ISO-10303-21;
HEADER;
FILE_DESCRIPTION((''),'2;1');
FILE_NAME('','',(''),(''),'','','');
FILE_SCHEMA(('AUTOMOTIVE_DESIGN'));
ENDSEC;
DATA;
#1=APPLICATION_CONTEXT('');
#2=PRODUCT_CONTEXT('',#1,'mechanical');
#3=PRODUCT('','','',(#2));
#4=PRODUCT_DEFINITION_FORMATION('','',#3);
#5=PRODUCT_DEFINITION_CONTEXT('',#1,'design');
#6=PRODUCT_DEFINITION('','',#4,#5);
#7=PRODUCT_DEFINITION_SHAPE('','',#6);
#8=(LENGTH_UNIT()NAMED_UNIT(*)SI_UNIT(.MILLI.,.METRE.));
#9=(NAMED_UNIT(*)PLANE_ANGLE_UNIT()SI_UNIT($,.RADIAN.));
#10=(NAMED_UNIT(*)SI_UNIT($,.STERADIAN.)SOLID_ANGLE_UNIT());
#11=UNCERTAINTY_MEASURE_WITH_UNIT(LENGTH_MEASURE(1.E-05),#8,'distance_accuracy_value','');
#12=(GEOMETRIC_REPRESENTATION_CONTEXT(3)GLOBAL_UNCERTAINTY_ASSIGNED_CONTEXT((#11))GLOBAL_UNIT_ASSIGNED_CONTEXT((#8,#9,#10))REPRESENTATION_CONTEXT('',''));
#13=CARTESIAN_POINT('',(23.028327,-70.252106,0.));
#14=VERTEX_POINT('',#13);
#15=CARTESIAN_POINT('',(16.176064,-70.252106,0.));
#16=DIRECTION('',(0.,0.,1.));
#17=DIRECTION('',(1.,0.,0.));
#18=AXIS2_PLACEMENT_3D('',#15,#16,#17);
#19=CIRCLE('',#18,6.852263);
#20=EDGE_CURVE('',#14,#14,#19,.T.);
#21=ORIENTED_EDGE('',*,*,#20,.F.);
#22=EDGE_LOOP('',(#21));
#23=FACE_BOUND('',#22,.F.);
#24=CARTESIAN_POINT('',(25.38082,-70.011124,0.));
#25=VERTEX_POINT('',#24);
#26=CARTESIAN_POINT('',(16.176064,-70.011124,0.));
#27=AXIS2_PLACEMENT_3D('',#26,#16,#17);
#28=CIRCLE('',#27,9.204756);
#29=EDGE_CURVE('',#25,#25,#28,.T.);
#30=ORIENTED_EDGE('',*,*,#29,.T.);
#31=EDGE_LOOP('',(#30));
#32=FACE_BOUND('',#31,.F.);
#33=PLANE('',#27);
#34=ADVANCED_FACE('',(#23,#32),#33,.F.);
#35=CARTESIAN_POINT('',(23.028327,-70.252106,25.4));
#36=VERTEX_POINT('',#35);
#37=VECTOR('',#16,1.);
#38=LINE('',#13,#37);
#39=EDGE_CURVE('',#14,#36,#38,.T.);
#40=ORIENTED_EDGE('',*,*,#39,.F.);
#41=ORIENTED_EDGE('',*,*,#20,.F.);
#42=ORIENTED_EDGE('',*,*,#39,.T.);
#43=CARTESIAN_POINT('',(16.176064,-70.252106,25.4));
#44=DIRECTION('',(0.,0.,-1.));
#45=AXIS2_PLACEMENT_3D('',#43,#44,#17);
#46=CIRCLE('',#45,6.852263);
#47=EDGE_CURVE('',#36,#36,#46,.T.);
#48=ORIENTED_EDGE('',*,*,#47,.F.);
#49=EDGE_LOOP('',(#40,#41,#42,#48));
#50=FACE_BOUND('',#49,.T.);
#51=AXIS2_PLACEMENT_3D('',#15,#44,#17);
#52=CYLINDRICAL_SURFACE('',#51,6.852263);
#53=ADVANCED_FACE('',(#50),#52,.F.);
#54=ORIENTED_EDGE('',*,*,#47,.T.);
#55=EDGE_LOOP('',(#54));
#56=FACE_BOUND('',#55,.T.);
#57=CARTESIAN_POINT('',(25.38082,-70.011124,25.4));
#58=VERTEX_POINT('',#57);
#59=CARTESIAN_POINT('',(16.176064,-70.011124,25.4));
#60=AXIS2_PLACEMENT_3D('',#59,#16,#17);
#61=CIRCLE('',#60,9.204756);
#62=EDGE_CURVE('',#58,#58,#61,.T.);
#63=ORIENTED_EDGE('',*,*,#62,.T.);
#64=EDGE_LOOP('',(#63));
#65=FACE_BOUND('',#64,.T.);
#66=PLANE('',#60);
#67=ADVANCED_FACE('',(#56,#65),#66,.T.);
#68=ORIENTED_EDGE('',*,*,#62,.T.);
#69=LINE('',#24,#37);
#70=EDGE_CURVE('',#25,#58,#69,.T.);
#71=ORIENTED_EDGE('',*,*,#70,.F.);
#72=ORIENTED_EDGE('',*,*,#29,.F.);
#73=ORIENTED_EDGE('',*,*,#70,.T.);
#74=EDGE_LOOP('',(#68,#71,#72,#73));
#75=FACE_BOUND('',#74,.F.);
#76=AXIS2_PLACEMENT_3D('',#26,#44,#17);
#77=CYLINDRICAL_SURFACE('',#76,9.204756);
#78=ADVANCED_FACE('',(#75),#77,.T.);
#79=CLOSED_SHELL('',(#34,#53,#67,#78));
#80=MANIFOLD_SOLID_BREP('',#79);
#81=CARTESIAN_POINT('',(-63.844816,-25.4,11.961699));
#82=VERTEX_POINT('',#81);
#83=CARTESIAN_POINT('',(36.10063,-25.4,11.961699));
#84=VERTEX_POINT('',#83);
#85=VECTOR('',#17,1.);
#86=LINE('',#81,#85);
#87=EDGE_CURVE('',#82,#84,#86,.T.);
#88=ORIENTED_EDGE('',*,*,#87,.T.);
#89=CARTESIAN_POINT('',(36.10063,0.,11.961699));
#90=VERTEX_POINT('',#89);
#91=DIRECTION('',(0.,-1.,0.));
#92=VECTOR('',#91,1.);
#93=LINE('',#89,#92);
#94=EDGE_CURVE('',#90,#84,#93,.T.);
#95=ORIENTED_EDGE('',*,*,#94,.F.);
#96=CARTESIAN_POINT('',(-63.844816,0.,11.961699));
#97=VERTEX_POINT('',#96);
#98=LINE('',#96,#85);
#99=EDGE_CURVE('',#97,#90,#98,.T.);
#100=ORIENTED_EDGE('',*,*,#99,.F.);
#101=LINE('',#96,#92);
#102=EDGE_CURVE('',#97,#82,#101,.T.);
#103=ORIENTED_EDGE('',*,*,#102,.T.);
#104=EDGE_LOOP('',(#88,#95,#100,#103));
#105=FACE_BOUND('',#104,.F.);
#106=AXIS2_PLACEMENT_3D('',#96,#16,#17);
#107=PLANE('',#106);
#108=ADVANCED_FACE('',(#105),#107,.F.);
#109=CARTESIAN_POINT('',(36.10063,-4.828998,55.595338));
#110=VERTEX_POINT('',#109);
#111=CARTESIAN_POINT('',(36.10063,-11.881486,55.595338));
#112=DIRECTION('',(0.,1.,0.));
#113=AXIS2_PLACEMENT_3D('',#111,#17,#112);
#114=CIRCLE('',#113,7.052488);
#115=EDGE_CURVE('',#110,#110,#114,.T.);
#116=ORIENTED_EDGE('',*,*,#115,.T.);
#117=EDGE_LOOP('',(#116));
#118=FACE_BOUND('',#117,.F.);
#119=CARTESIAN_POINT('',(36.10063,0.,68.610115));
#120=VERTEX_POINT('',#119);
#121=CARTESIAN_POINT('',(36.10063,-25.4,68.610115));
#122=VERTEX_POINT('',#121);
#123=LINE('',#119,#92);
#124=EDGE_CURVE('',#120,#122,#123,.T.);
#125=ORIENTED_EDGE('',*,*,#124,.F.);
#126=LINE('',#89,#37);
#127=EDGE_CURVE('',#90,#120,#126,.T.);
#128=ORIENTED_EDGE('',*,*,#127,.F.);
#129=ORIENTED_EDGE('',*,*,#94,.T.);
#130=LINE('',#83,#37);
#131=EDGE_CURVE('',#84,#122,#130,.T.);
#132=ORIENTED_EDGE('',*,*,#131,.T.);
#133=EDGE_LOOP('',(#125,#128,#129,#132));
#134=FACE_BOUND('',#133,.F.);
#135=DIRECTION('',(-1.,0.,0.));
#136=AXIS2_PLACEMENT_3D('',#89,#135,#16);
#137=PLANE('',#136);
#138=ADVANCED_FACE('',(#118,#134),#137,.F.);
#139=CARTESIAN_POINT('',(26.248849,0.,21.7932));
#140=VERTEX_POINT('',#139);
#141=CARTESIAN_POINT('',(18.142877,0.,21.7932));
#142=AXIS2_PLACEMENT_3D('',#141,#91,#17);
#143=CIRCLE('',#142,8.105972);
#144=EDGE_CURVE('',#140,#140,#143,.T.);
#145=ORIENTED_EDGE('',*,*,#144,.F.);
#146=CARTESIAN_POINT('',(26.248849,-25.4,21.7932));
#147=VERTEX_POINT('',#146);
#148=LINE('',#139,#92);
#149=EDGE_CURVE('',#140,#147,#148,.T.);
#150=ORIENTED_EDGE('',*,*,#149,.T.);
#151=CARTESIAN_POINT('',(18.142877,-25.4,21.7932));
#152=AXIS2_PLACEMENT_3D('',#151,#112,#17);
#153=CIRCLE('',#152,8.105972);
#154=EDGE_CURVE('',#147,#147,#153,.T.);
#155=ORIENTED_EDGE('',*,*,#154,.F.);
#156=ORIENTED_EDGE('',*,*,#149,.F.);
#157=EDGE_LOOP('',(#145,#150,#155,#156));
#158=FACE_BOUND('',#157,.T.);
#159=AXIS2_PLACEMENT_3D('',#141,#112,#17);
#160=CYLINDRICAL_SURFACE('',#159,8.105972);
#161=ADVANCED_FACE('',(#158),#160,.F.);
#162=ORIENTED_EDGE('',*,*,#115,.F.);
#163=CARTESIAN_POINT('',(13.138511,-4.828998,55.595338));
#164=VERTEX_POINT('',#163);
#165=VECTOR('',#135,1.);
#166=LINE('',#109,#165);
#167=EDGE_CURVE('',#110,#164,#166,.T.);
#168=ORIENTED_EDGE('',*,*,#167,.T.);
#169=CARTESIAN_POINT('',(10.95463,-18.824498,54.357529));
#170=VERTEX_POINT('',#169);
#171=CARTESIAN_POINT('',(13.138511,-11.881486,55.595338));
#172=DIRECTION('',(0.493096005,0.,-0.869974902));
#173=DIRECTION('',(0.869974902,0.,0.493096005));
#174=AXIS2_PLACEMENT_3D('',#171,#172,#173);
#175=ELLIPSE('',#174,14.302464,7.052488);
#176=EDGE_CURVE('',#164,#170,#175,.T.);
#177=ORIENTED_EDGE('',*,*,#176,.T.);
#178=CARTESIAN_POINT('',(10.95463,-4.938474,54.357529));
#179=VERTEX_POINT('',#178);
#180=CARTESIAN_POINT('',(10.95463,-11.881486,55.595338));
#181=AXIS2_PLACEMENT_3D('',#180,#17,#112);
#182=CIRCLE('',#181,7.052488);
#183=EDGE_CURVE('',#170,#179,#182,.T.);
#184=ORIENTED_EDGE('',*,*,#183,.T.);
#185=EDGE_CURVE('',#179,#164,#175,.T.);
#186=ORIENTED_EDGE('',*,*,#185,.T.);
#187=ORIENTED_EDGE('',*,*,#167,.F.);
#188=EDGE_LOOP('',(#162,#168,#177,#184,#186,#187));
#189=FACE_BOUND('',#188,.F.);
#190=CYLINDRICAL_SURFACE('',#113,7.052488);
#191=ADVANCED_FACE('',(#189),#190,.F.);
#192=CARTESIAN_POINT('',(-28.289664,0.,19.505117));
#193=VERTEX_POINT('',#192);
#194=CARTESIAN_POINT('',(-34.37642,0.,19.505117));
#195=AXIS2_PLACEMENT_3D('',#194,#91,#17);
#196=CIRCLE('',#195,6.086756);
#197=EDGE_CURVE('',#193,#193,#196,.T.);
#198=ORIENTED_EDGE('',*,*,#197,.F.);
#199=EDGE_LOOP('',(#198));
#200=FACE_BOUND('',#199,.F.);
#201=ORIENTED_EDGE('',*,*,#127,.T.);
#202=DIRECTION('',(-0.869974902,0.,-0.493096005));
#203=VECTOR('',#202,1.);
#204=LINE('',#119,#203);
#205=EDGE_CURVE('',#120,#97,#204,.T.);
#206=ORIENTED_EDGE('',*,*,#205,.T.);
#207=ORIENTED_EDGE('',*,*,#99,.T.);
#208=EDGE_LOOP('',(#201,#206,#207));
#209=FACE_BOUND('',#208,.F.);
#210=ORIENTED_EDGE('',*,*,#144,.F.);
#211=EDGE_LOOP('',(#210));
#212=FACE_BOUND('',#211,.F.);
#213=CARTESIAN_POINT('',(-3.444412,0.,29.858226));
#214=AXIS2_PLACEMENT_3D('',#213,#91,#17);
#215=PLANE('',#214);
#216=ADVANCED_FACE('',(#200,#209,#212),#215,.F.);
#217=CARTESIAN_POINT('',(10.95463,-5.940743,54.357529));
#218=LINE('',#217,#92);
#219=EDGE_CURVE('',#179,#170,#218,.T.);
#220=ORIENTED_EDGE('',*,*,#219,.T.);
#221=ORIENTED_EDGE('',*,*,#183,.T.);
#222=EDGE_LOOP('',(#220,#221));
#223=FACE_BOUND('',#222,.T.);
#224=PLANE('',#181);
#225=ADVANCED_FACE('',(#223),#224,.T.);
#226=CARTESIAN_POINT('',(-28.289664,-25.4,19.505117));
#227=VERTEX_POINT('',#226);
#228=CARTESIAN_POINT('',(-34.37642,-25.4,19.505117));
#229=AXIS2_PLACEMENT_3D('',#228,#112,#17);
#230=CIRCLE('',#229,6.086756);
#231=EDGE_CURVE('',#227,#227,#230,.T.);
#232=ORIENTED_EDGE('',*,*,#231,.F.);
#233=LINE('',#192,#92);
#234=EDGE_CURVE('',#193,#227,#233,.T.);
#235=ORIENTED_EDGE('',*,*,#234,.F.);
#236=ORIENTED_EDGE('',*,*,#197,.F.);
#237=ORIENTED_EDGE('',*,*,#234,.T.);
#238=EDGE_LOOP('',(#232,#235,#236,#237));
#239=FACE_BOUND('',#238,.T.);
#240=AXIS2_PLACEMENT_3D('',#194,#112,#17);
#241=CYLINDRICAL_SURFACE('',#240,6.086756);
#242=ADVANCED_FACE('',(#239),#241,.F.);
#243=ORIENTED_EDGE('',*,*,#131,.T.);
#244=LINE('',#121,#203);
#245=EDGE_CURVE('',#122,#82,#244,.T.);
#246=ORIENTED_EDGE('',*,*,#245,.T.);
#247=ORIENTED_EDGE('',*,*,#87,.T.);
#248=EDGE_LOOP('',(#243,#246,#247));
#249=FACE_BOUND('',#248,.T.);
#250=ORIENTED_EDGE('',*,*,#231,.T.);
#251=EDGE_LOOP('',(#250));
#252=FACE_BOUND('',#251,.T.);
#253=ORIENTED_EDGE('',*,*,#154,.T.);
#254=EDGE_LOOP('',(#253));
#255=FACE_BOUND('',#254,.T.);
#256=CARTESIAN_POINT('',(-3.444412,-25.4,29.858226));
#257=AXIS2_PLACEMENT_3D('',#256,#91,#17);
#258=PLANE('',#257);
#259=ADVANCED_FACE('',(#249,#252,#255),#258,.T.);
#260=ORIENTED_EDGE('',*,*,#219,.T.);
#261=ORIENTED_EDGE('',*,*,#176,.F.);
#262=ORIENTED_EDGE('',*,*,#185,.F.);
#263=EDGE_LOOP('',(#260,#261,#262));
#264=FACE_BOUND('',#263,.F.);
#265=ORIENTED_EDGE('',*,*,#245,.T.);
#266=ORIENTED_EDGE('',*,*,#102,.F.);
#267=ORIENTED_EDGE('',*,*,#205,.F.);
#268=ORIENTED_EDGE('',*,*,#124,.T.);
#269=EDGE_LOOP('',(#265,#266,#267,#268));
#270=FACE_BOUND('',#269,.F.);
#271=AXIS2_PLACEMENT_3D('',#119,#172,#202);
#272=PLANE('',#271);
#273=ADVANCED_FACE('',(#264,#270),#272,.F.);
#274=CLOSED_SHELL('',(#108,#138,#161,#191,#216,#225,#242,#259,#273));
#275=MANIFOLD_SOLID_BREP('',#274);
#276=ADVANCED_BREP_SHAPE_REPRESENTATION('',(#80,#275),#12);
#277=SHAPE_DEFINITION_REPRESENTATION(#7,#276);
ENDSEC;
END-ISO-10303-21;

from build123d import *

# Parameters (mm, degrees)
F1_DEPTH  = 25.4
F2_R      = 8.105972
F3_DEPTH  = 50.8
F2_R_2    = 6.086756
F4_DEPTH  = 50.8
F5_R      = 7.052488
F6_DEPTH  = 25.146
F7_R      = 9.204756
F8_DEPTH  = 25.4
F9_R      = 6.852263
F10_DEPTH = 29.464


with BuildPart() as f1:
    # F0 (on Front) → F1 (new body)
    with BuildSketch(Plane.XZ):
        Polygon((36.10063, 68.610115), (-63.844816, 11.961699), (36.10063, 11.961699), align=None)
    extrude(amount=F1_DEPTH)

    # F2 (on Front) → F3 (cut)
    with BuildSketch(Plane.XZ):
        with Locations((18.142877, 21.7932)):
            Circle(F2_R)
    extrude(amount=F3_DEPTH, mode=Mode.SUBTRACT)

    # F2 (on Front) → F4 (cut)
    with BuildSketch(Plane.XZ):
        with Locations((-34.37642, 19.505117)):
            Circle(F2_R_2)
    extrude(amount=F4_DEPTH, mode=Mode.SUBTRACT)

    # F5 (on face) → F6 (cut)
    with BuildSketch(Plane.YZ.offset(36.10063)):
        with Locations((-11.881486, 55.595338)):
            Circle(F5_R)
    extrude(amount=-F6_DEPTH, mode=Mode.SUBTRACT)


with BuildPart() as f8:
    # F7 (on Top) → F8 (new body)
    with BuildSketch(Plane.XY):
        with Locations((16.176064, -70.011124)):
            Circle(F7_R)
    extrude(amount=F8_DEPTH)

    # F9 (on Top) → F10 (cut)
    with BuildSketch(Plane.XY):
        with Locations((16.176064, -70.252106)):
            Circle(F9_R)
    extrude(amount=F10_DEPTH, mode=Mode.SUBTRACT)


solid = Compound([f1.part, f8.part])
